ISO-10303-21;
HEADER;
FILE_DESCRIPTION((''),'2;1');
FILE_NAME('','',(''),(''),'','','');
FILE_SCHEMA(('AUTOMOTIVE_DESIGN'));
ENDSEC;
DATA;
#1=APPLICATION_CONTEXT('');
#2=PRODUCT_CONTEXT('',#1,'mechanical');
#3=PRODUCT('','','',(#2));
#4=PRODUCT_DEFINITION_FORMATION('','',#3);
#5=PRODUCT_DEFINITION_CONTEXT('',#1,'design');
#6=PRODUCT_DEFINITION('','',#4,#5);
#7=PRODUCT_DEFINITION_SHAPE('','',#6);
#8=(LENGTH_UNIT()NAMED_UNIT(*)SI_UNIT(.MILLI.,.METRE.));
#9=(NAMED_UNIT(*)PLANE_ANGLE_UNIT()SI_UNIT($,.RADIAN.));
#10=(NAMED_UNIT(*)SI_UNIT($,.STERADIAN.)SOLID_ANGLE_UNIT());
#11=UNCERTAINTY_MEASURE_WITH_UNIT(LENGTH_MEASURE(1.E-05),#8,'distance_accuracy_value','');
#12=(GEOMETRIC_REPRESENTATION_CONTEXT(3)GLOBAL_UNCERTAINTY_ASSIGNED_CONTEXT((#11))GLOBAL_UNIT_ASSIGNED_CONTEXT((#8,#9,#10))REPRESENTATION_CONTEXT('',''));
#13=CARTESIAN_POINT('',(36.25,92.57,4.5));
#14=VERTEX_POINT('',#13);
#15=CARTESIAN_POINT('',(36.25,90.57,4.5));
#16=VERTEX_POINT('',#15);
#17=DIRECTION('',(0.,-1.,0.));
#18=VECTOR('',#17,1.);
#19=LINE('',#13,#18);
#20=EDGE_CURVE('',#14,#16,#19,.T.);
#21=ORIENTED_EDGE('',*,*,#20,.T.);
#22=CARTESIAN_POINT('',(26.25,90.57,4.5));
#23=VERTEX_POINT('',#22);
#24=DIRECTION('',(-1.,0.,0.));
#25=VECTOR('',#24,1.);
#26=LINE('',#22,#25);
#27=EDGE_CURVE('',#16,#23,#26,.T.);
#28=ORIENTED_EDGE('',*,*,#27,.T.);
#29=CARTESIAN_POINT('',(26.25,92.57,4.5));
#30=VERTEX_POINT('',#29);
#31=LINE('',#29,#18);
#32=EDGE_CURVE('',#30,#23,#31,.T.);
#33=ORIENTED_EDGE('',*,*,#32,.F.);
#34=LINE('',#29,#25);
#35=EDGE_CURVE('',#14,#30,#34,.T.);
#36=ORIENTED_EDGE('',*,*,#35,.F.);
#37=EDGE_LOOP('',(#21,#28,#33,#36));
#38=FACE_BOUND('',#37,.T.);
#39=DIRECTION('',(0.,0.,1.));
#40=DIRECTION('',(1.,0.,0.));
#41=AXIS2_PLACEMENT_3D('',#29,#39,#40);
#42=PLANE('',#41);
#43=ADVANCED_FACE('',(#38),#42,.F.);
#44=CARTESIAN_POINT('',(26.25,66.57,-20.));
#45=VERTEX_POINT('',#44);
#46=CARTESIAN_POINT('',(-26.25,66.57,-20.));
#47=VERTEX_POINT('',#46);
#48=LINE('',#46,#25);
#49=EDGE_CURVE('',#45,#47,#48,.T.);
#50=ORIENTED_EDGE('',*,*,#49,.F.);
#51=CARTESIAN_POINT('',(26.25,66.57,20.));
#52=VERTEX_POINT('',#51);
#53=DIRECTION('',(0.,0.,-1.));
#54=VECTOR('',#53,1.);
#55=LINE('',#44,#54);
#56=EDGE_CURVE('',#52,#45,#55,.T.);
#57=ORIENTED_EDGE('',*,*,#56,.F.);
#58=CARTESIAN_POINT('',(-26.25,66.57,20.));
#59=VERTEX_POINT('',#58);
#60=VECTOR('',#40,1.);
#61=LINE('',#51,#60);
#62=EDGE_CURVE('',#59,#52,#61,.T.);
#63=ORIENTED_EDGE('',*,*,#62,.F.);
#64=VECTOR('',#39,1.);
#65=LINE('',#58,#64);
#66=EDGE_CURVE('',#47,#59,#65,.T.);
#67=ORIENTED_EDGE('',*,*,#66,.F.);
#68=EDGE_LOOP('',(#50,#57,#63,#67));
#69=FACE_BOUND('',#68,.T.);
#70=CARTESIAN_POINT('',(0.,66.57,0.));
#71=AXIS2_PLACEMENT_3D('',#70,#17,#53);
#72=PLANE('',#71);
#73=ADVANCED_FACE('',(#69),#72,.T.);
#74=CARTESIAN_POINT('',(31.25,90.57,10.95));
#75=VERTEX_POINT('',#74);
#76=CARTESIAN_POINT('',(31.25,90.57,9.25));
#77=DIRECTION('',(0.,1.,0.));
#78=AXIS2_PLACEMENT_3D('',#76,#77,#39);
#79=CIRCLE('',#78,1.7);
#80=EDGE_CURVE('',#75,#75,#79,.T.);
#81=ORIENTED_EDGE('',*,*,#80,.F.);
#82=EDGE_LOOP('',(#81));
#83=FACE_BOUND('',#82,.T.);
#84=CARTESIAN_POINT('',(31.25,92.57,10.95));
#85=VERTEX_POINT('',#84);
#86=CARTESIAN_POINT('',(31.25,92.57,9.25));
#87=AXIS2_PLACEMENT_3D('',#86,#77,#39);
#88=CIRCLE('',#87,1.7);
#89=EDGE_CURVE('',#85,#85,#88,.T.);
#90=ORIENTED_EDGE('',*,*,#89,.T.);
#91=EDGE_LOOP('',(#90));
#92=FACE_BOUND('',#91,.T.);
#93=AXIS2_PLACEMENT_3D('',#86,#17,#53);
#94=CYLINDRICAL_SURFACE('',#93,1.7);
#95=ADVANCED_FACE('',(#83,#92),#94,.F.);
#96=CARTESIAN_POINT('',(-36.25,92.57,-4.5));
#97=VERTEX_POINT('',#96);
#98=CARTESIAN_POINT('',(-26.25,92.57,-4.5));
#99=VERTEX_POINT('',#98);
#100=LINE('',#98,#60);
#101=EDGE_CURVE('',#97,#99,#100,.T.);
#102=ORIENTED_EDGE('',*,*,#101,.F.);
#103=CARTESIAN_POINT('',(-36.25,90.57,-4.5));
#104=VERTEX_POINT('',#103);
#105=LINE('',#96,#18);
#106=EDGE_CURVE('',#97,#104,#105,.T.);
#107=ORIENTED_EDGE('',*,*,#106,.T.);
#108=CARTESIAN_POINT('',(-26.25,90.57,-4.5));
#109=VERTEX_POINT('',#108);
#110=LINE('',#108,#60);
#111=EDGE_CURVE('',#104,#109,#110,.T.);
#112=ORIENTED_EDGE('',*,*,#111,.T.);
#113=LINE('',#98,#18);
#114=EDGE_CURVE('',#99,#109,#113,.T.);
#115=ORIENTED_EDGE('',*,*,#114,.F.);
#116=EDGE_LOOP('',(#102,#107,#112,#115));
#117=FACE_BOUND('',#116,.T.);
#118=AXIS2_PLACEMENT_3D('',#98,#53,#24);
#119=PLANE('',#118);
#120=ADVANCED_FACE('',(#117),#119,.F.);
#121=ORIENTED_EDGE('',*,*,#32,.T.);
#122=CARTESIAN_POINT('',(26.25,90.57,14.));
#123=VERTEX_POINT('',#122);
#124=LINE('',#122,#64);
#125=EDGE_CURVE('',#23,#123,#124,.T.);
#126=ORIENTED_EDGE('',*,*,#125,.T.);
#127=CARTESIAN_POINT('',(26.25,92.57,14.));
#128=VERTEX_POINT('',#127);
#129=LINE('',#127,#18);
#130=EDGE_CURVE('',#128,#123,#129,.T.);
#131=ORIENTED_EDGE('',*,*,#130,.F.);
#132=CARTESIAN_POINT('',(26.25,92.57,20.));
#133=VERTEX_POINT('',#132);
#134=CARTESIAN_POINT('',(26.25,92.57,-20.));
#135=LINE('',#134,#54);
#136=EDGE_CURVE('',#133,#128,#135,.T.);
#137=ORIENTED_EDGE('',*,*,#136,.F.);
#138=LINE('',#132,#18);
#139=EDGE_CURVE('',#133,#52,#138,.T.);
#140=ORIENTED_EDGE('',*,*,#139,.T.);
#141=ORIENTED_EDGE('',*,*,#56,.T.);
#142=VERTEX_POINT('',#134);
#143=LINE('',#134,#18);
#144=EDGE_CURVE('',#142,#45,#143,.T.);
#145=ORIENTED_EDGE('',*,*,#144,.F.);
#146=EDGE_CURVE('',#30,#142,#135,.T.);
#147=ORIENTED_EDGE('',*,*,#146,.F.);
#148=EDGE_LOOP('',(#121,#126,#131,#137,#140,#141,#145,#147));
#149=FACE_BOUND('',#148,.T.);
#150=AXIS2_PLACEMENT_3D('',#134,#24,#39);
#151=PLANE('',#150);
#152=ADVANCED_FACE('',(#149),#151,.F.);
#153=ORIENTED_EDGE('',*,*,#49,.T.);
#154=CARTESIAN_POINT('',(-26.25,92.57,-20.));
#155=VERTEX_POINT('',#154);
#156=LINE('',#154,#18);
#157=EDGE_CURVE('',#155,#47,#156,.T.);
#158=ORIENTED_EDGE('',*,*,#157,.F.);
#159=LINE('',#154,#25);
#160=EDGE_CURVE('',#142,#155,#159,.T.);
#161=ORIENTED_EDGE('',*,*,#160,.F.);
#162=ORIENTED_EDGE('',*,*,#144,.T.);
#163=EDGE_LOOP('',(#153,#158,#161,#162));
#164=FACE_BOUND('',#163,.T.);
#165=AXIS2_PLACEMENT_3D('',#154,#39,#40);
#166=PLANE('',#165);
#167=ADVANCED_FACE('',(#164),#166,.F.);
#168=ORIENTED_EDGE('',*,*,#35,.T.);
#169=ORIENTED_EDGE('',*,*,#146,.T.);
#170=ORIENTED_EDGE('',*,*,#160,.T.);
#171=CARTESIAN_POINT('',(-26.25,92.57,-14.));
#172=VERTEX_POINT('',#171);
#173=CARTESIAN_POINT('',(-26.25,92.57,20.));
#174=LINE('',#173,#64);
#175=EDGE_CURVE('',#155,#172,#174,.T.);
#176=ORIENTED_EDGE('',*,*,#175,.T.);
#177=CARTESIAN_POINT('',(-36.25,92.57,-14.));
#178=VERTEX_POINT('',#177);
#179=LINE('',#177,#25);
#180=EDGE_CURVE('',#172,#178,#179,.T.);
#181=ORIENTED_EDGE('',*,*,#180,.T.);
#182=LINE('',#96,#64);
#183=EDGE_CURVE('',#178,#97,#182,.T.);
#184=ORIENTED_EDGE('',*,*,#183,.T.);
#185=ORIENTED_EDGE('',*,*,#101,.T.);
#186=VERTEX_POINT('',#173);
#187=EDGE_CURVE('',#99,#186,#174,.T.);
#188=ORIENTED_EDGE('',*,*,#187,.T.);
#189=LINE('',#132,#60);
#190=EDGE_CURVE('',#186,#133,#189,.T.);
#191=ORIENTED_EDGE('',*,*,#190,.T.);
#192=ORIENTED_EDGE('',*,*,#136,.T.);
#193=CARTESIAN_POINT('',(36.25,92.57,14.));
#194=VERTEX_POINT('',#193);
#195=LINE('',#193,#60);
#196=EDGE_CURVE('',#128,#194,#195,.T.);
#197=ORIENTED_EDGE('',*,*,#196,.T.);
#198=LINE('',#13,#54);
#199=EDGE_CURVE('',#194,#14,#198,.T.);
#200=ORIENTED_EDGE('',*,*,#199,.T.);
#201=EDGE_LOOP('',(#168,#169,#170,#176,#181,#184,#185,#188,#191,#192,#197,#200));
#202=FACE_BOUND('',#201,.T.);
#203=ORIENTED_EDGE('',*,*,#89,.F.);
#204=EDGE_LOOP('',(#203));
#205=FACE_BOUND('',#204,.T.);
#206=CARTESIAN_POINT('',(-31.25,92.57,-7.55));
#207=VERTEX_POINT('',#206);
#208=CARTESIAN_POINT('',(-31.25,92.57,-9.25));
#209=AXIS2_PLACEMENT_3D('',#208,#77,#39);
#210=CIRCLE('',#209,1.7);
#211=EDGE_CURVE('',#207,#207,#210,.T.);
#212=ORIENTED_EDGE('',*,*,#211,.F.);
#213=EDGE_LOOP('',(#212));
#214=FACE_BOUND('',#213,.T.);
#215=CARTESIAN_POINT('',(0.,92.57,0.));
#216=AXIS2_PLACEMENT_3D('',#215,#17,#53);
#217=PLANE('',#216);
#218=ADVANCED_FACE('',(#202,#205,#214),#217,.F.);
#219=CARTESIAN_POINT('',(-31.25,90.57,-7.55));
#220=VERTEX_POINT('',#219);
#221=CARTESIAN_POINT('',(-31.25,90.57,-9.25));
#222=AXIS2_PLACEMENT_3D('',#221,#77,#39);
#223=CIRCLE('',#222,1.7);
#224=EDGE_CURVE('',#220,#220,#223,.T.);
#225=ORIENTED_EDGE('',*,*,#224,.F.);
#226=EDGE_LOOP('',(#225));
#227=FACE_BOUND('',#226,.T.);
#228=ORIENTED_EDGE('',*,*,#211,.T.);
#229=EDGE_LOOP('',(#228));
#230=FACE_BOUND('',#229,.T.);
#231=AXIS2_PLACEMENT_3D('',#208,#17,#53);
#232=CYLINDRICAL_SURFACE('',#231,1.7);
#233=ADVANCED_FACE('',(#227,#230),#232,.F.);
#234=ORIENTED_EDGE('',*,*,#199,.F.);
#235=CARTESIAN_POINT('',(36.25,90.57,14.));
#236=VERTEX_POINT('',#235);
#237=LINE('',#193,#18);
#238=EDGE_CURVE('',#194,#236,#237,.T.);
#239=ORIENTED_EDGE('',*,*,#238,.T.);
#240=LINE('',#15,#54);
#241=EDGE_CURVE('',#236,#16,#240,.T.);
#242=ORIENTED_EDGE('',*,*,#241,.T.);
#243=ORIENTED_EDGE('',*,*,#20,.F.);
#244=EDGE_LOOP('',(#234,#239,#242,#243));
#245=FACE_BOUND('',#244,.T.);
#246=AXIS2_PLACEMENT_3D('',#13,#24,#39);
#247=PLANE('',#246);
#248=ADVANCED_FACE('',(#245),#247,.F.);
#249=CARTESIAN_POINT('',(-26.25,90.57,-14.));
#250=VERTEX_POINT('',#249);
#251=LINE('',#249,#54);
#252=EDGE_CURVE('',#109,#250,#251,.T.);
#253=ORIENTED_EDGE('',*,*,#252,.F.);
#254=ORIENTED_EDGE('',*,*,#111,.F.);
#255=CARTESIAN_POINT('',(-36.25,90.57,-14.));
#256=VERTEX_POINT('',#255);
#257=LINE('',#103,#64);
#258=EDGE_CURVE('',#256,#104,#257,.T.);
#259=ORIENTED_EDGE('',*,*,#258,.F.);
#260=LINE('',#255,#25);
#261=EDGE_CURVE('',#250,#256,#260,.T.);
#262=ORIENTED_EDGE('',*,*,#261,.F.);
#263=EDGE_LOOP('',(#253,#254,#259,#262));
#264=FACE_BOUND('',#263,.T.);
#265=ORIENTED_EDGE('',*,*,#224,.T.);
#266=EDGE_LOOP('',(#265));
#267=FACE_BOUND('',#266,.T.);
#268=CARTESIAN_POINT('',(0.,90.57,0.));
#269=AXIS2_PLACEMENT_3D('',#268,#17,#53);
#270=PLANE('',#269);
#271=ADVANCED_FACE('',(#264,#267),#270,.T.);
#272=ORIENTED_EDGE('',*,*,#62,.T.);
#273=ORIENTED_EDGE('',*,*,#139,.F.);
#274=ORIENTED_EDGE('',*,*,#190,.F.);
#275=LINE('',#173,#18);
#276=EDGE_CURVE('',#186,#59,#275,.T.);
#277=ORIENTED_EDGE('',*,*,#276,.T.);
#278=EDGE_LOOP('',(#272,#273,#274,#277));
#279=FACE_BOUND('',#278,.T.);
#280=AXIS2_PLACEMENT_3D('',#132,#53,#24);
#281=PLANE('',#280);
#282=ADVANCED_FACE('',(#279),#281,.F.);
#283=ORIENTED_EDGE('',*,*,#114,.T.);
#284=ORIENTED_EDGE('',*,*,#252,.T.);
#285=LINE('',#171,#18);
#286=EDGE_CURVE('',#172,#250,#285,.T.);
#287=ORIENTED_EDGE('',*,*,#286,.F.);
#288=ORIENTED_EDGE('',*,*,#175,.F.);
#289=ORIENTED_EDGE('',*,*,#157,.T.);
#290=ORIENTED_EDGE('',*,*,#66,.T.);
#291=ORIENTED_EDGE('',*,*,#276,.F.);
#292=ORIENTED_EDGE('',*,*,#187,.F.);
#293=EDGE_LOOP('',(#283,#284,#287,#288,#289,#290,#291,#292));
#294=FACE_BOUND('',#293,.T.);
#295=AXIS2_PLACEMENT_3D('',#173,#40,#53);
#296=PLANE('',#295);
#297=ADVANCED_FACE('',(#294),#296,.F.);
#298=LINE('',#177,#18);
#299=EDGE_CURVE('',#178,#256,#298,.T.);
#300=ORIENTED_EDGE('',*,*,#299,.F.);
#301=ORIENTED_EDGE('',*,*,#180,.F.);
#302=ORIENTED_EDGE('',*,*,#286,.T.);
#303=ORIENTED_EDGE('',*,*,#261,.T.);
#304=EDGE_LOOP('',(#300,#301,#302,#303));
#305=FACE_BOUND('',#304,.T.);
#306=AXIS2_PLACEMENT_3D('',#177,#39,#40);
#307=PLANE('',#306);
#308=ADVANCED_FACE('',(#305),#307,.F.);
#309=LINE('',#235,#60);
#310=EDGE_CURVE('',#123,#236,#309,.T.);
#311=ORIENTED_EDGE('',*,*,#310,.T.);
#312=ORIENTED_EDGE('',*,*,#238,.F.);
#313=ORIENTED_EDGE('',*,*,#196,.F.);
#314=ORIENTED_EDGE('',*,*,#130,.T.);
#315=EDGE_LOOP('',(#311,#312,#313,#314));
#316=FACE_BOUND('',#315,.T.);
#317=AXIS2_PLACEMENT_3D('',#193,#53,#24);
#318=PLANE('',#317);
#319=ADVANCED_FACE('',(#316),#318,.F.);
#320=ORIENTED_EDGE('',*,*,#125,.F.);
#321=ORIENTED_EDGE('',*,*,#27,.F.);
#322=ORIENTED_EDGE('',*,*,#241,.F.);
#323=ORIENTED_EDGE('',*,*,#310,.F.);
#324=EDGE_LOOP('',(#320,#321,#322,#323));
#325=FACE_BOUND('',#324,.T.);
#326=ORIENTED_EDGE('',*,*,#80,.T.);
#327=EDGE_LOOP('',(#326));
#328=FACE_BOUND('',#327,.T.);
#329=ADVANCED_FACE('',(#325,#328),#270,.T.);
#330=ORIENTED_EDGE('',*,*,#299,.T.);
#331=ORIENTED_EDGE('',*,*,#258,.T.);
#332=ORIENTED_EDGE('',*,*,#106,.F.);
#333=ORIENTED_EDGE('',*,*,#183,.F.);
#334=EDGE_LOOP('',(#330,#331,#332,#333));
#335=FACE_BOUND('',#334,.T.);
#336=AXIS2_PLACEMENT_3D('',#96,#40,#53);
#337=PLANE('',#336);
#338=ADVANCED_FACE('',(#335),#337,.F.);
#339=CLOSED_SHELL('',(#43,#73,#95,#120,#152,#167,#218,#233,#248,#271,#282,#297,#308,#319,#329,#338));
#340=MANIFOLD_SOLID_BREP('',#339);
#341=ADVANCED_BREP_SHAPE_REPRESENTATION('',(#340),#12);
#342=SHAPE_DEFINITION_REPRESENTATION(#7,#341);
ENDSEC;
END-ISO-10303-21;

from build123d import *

# Parameters (mm, degrees)
CASE_START    = 66.57
CASE_SKETCH_W = 52.5
CASE_SKETCH_H = 40
CASE_2_DEPTH  = 26
EARS_START    = 90.57
EARS_SKETCH_W = 10
EARS_SKETCH_H = 9.5
EARS_SKETCH_R = 1.7
EARS_DEPTH    = 2


with BuildPart() as part:
    # Case Sketch → Case 2 (new body)
    with BuildSketch(Plane(origin=(0, 0, 0), x_dir=(1, 0, 0), z_dir=(0, 1, 0)).offset(CASE_START)):
        Rectangle(CASE_SKETCH_W, CASE_SKETCH_H)
    extrude(amount=CASE_2_DEPTH)

    # Ears Sketch → Ears (add)
    # profile 1 of 2: a face of its own
    with BuildSketch(Plane(origin=(0, 0, 0), x_dir=(1, 0, 0), z_dir=(0, 1, 0)).offset(EARS_START)):
        with Locations((31.25, -9.25)):
            Rectangle(EARS_SKETCH_W, EARS_SKETCH_H)
        with Locations((31.25, -9.25)):
            Circle(EARS_SKETCH_R, mode=Mode.SUBTRACT)
    # profile 2 of 2: a face of its own
    with BuildSketch(Plane(origin=(0, 0, 0), x_dir=(1, 0, 0), z_dir=(0, 1, 0)).offset(EARS_START)):
        with Locations((-31.25, 9.25)):
            Rectangle(EARS_SKETCH_W, EARS_SKETCH_H)
        with Locations((-31.25, 9.25)):
            Circle(EARS_SKETCH_R, mode=Mode.SUBTRACT)
    extrude(amount=EARS_DEPTH)


solid = part.part
